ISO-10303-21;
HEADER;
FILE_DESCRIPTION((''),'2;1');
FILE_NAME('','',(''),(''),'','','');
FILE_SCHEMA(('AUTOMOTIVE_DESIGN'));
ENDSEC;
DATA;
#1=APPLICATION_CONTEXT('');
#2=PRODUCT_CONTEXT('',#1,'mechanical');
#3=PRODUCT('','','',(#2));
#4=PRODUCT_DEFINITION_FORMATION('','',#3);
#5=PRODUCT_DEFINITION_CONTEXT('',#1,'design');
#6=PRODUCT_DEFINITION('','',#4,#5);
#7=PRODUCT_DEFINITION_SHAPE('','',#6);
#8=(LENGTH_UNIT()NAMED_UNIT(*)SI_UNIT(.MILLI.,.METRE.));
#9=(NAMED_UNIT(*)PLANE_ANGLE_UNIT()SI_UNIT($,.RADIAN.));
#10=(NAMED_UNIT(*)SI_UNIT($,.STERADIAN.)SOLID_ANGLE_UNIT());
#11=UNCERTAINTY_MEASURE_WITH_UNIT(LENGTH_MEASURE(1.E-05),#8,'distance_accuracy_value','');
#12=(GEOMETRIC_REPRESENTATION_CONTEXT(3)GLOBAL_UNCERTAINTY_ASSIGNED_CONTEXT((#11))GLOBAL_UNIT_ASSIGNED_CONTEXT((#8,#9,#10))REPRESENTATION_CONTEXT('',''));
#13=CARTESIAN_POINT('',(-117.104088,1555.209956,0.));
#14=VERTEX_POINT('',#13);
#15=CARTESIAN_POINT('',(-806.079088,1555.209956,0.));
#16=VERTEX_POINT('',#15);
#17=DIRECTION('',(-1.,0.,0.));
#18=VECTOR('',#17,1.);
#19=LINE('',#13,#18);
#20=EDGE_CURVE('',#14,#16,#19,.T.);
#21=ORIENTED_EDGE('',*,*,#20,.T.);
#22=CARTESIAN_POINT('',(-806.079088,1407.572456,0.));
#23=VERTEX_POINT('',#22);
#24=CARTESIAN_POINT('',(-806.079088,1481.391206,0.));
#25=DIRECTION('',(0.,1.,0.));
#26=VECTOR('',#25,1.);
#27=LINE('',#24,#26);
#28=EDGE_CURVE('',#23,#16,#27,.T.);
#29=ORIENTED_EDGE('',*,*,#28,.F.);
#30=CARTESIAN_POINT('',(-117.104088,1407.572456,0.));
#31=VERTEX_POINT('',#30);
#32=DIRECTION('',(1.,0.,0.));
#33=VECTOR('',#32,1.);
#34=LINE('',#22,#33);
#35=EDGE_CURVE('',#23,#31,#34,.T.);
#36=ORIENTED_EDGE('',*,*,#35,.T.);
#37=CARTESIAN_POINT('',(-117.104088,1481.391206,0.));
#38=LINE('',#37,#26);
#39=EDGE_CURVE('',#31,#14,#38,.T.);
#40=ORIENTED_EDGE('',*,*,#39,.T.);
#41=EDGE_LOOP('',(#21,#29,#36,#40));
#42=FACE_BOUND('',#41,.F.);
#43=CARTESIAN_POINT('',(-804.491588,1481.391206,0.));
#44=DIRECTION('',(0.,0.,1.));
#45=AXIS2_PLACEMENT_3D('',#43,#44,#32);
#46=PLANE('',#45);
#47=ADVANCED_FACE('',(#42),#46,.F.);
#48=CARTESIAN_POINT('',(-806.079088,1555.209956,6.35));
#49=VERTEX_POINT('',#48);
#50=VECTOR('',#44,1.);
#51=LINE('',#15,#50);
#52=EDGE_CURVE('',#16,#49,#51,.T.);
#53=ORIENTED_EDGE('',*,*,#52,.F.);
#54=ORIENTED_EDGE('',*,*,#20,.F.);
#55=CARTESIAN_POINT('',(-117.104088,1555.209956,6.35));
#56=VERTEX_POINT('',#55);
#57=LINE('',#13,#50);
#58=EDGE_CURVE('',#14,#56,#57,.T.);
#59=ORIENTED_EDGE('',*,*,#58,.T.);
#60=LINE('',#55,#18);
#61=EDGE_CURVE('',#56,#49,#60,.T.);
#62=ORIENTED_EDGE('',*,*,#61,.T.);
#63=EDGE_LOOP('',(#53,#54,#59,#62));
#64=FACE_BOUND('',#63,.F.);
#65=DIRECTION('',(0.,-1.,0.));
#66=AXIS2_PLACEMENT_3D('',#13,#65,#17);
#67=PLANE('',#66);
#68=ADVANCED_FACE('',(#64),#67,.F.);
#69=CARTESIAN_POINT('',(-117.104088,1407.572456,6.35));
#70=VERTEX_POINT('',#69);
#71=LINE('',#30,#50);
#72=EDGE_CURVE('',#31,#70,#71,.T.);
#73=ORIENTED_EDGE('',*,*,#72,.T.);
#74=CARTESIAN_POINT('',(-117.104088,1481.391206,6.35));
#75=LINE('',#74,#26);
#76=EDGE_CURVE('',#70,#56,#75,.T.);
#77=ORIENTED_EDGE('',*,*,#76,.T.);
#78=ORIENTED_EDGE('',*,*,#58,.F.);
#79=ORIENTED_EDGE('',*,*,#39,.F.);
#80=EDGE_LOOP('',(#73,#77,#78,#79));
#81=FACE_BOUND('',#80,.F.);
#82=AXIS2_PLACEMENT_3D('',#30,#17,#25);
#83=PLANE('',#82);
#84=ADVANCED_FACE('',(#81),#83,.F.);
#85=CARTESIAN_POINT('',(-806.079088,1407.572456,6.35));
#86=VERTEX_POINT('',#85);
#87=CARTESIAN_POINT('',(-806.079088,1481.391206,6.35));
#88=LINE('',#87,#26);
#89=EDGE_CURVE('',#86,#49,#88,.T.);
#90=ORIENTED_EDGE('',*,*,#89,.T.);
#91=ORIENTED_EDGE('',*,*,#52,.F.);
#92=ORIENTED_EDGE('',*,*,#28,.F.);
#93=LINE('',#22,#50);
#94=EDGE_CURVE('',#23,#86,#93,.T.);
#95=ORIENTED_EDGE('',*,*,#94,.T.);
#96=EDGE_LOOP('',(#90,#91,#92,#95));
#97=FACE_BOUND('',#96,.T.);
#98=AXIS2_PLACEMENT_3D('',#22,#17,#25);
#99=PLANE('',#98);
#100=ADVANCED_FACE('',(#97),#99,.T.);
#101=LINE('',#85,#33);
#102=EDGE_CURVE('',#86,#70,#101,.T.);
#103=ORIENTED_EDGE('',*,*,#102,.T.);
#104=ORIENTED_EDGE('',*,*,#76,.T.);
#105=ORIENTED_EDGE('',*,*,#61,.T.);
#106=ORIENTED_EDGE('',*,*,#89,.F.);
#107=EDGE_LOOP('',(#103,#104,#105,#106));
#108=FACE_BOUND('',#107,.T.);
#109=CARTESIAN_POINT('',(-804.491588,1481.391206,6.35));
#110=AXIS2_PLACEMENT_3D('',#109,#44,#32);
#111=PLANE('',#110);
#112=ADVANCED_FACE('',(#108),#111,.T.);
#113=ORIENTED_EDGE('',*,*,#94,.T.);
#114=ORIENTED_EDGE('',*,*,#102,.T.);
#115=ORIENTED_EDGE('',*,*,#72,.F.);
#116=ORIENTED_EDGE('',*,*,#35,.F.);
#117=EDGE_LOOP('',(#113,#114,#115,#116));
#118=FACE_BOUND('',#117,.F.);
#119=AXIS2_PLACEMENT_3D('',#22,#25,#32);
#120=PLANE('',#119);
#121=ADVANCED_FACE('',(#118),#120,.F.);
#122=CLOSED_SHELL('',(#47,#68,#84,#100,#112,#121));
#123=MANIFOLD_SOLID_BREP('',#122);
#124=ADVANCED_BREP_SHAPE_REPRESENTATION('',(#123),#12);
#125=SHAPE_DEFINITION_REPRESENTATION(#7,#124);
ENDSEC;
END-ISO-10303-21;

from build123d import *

# Parameters (mm, degrees)
F0_W     = 3.175
F0_H     = 147.6375
F0_W_2   = 682.625
F1_DEPTH = 6.35


with BuildPart() as f1:
    # F0 (on Top) → F1 (new body)
    with BuildSketch(Plane.XY):
        with Locations((-804.4915875286, 1481.3912059128)):
            Rectangle(F0_W, F0_H)
        with Locations((-118.6915875286, 1481.3912059128)):
            Rectangle(F0_W, F0_H)
        with Locations((-461.5915875286, 1481.3912059128)):
            Rectangle(F0_W_2, F0_H)
    extrude(amount=F1_DEPTH)


solid = f1.part
